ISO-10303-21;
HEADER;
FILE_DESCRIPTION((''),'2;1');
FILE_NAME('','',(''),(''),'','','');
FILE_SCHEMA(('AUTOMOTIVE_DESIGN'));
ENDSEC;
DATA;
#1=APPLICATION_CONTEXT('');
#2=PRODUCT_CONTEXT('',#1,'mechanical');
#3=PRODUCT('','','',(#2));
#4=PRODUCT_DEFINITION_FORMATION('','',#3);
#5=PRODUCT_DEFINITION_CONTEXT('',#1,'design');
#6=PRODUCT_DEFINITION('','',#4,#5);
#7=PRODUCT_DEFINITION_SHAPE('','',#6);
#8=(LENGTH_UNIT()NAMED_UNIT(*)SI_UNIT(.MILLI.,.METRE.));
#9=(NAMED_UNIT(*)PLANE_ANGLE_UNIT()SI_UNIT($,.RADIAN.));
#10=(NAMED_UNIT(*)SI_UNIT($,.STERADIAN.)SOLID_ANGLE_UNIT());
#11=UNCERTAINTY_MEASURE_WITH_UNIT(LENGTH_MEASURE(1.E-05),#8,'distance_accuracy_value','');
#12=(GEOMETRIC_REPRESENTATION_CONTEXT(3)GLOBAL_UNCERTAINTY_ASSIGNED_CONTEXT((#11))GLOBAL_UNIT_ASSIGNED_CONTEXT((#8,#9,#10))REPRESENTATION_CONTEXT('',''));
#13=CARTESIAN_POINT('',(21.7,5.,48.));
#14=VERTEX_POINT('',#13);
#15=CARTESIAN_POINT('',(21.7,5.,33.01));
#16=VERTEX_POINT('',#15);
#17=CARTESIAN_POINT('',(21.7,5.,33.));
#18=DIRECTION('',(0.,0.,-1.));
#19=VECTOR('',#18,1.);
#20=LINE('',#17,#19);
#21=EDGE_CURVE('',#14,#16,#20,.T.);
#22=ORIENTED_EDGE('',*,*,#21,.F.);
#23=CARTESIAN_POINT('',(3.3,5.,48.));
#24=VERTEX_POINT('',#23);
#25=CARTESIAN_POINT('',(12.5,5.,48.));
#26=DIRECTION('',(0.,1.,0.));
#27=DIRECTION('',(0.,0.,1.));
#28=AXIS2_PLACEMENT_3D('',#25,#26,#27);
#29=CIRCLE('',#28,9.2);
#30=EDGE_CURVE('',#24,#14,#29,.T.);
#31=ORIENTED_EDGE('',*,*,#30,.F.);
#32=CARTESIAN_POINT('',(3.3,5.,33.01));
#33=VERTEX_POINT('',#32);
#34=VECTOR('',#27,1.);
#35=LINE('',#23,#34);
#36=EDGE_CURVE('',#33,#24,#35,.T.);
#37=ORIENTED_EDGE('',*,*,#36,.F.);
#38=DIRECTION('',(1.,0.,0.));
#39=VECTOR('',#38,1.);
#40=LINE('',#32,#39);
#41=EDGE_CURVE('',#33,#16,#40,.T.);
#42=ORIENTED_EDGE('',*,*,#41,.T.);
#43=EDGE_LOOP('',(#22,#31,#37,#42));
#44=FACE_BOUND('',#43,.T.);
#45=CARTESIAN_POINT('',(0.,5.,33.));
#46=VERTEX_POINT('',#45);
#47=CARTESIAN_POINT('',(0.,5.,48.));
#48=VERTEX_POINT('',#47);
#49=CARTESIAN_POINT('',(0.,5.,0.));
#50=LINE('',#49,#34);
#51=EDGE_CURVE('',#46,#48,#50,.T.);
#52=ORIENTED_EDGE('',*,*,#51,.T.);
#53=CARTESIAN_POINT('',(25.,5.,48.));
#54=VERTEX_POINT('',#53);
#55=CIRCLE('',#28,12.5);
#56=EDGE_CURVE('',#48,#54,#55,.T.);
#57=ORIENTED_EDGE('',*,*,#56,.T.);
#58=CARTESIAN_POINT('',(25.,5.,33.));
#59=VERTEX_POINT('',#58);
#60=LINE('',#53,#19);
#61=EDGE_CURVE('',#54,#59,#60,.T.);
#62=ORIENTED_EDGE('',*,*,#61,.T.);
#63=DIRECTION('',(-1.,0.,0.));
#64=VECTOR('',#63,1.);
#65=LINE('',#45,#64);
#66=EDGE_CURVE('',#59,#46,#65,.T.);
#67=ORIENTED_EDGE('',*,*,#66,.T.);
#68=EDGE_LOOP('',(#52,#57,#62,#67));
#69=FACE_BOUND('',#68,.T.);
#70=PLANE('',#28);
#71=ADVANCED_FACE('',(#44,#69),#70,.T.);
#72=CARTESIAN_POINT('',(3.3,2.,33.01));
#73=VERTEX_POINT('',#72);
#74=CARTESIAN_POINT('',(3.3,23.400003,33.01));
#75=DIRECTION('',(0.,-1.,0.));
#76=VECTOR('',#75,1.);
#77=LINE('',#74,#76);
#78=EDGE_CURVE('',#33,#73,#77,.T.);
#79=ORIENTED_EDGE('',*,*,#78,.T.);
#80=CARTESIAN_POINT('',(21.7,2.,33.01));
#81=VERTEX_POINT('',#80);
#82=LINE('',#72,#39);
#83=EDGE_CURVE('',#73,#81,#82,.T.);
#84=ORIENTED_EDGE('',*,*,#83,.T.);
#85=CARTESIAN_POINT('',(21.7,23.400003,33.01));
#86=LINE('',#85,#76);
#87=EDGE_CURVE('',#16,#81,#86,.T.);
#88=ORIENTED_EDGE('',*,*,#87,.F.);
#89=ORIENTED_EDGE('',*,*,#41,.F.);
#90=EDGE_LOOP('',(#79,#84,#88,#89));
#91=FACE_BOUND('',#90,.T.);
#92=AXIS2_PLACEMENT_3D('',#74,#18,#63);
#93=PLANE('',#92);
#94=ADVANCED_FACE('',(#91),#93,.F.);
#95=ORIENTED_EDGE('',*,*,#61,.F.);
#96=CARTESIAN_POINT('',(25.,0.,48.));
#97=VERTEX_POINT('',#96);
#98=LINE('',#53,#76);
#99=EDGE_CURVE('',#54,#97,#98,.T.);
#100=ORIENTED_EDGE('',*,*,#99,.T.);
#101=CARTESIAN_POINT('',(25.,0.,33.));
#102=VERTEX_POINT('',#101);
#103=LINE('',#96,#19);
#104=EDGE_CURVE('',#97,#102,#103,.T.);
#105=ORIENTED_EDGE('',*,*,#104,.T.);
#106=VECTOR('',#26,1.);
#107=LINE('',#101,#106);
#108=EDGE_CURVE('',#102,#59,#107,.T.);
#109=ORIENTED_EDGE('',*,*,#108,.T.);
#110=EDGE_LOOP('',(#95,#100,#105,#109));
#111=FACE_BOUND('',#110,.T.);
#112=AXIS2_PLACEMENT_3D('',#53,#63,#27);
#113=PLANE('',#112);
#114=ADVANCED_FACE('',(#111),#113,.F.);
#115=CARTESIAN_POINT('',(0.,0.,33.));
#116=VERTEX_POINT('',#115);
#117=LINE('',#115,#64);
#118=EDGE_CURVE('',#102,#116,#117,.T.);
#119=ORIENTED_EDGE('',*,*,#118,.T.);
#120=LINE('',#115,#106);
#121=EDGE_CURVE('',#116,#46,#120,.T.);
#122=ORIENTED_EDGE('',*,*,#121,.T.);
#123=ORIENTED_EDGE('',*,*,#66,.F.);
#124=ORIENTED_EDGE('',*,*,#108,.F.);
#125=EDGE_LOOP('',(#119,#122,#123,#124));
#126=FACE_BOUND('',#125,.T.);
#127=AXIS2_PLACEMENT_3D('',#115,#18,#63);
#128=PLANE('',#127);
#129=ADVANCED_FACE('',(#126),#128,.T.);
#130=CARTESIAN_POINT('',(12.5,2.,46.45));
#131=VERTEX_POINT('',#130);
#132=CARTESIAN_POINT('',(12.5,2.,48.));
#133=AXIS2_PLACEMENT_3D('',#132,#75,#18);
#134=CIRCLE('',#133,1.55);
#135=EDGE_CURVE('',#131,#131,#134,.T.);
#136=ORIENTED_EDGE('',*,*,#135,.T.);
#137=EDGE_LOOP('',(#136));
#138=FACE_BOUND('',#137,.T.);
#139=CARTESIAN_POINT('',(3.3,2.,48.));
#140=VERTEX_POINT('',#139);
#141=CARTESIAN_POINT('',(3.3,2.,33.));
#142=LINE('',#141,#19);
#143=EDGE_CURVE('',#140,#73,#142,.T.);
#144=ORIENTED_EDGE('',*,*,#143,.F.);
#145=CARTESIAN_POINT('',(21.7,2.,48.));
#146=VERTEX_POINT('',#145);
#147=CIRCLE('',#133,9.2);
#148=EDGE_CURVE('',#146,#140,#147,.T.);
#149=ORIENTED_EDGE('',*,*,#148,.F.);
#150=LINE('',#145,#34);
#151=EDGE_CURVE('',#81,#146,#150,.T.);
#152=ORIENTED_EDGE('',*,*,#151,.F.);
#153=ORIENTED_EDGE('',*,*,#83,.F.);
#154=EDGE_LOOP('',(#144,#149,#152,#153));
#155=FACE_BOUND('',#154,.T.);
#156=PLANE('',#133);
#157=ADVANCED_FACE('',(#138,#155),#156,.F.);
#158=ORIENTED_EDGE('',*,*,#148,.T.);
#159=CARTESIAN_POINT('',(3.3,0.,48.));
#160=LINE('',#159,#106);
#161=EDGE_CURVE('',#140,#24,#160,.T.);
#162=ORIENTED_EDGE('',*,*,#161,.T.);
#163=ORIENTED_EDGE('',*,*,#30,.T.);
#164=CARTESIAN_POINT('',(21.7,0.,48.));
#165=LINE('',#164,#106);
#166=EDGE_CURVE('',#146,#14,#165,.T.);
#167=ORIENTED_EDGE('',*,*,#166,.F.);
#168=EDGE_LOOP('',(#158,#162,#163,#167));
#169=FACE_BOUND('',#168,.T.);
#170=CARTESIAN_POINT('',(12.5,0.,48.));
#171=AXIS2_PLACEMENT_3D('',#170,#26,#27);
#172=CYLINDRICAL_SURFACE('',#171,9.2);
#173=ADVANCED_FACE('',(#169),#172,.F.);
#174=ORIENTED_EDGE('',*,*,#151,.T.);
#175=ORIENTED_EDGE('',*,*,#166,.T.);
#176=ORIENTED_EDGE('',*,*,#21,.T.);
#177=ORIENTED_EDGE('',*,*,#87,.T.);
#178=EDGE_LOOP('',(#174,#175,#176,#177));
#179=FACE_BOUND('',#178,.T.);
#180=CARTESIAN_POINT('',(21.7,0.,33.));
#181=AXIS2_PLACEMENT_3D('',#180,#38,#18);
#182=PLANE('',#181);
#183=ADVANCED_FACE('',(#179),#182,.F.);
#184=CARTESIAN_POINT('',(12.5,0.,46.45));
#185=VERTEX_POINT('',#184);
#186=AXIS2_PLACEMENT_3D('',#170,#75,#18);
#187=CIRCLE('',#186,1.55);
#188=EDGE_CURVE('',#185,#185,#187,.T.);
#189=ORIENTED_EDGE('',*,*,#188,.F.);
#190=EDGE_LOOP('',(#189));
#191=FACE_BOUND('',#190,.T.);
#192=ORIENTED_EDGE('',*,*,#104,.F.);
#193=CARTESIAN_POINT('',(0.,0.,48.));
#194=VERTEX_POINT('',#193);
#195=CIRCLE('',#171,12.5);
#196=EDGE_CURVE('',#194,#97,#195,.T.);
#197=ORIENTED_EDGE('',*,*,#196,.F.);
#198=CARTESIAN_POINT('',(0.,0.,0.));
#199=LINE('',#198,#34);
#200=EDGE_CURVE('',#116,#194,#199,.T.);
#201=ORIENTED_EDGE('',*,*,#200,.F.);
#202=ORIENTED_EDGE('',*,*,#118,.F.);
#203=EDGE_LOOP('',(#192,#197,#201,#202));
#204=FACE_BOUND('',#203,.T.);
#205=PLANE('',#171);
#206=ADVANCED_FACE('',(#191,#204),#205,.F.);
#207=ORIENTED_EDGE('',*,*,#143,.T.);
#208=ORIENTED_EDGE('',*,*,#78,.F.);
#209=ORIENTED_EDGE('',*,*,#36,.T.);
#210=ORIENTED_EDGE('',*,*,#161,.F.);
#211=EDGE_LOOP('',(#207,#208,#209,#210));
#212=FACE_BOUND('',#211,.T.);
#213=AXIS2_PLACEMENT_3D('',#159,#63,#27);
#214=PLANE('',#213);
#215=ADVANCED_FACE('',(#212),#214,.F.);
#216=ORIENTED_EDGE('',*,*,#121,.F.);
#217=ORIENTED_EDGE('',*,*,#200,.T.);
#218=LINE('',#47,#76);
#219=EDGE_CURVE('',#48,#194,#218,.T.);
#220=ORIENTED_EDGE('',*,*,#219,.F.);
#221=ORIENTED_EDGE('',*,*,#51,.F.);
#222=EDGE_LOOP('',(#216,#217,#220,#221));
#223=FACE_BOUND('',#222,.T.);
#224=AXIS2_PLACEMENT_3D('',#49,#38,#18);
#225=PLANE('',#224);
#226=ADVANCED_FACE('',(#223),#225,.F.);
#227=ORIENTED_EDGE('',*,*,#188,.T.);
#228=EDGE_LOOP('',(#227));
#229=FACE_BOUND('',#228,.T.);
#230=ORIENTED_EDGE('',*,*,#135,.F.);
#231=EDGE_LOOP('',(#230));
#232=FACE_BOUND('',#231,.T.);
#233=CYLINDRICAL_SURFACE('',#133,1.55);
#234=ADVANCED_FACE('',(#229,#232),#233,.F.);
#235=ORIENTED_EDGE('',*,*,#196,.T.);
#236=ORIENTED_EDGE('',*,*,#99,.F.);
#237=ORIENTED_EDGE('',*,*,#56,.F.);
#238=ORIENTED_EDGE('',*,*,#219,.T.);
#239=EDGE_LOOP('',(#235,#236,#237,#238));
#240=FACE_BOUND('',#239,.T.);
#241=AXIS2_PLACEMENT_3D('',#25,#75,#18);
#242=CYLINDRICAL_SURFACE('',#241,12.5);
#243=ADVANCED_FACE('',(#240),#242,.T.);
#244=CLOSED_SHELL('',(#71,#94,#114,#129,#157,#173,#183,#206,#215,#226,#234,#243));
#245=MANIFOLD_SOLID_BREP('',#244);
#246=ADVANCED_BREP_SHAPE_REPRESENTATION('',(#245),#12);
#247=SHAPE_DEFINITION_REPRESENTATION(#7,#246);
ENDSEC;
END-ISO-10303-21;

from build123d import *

# Parameters (mm, degrees)
SKETCH_1_R           = 2.55
SKETCH_1_R_2         = 7.5
EXTRUDE_1_DEPTH      = 5
FILLET_2_R           = 5
CUT_EXTRUDE_1_DEPTH  = 109.559891304
EXTRUDE_2_DEPTH      = 5
SKETCH_3_R           = 1.55
CUT_EXTRUDE_2_DEPTH  = 109.559891304
FILLET_3_R           = 2
SKETCH_5_R           = 3
CUT_EXTRUDE_3_DEPTH  = 3
SKETCH_6_OUTSIDE_W   = 117.274
SKETCH_6_OUTSIDE_H   = 115.837
SKETCH_6_OUTSIDE_W_2 = 25
SKETCH_6_OUTSIDE_H_2 = 29.920384019
CUT_EXTRUDE_4_DEPTH  = 109.559891304
EXTRUDE_START        = -2
SKETCH_7_R           = 1.55
EXTRUDE_3_DEPTH      = 2
SKETCH_8_W           = 18.4
SKETCH_8_H           = 0.01
EXTRUDE_4_DEPTH      = 3


with BuildPart() as part:
    # ｽｹｯﾁ1 → ﾎﾞｽ - 押し出し1 (new body)
    with BuildSketch(Plane(origin=(0, 0, 0), x_dir=(1, 0, 0), z_dir=(0, 1, 0))):
        with BuildLine():
            Line((0, 0), (0, -48))
            ThreePointArc((0, -48), (12.5, -60.5), (25, -48))
            Line((25, -48), (25, -20))
            Line((25, -20), (90, -20))
            Line((90, -20), (90, 30))
            Line((90, 30), (0, 0))
        make_face()
        with Locations(Location((75.769750529, 14.715657976, 0), (0, 0, 270))):
            Circle(SKETCH_1_R, mode=Mode.SUBTRACT)
        with Locations(Location((75, -10, 0), (0, 0, 270))):
            Circle(SKETCH_1_R, mode=Mode.SUBTRACT)
        with Locations(Location((25, -10, 0), (0, 0, 270))):
            Circle(SKETCH_1_R, mode=Mode.SUBTRACT)
        with Locations(Location((12.5, -48, 0), (0, 0, 270))):
            Circle(SKETCH_1_R_2, mode=Mode.SUBTRACT)
    extrude(amount=EXTRUDE_1_DEPTH)

    # ﾌｨﾚｯﾄ2
    fillet_2_edges = [part.edges().sort_by_distance(p)[0] for p in [
        (90, 2.5, -30),
        (90, 2.5, 20),
    ]]
    fillet(fillet_2_edges, radius=FILLET_2_R)

    # ｽｹｯﾁ2 → ｶｯﾄ - 押し出し1 (cut, through all)
    with BuildSketch(Plane(origin=(0, 5, 0), x_dir=(1, 0, 0), z_dir=(0, 1, 0))):
        with BuildLine():
            Line((3.3, -48), (3.3, -33))
            Line((3.3, -33), (21.7, -33))
            Line((21.7, -33), (21.7, -48))
            ThreePointArc((21.7, -48), (12.5, -57.2), (3.3, -48))
        make_face()
    extrude(amount=-CUT_EXTRUDE_1_DEPTH, mode=Mode.SUBTRACT)

    # ｽｹｯﾁ4 → ﾎﾞｽ - 押し出し2 (add)
    with BuildSketch(Plane(origin=(0, 5, 0), x_dir=(1, 0, 0), z_dir=(0, 1, 0))):
        Polygon((0, 0), (0, 20), (60, 20), align=None)
    extrude(amount=-EXTRUDE_2_DEPTH)

    # ｽｹｯﾁ3 → ｶｯﾄ - 押し出し2 (cut, through all)
    with BuildSketch(Plane(origin=(0, 5, 0), x_dir=(1, 0, 0), z_dir=(0, 1, 0))):
        with Locations(Location((20.5, 5, 0), (0, 0, 270))):
            Circle(SKETCH_3_R)
        with Locations(Location((4.5, 5, 0), (0, 0, 90))):
            Circle(SKETCH_3_R)
    extrude(amount=-CUT_EXTRUDE_2_DEPTH, mode=Mode.SUBTRACT)

    # ﾌｨﾚｯﾄ3
    fillet_3_edges = [part.edges().sort_by_distance(p)[0] for p in [
        (60, 2.5, -20),
        (0, 2.5, -20),
    ]]
    fillet(fillet_3_edges, radius=FILLET_3_R)

    # ｽｹｯﾁ5 → ｶｯﾄ - 押し出し3 (cut)
    with BuildSketch(Plane.XZ.offset(-5)):
        with Locations(Location((4.5, -5, 0), (0, 0, 270))):
            Circle(SKETCH_5_R)
        with Locations(Location((20.5, -5, 0), (0, 0, 270))):
            Circle(SKETCH_5_R)
    extrude(amount=CUT_EXTRUDE_3_DEPTH, mode=Mode.SUBTRACT)

    # ｽｹｯﾁ6 outside → ｶｯﾄ - 押し出し4 (cut, through all)
    with BuildSketch(Plane(origin=(0, 5, 0), x_dir=(1, 0, 0), z_dir=(0, 1, 0))):
        with Locations((45, -16.2185)):
            Rectangle(SKETCH_6_OUTSIDE_W, SKETCH_6_OUTSIDE_H)
        with Locations((12.5, -47.96019201)):
            Rectangle(SKETCH_6_OUTSIDE_W_2, SKETCH_6_OUTSIDE_H_2, mode=Mode.SUBTRACT)
    extrude(amount=-CUT_EXTRUDE_4_DEPTH, mode=Mode.SUBTRACT)

    # ｽｹｯﾁ7 → ﾎﾞｽ - 押し出し3 (add)
    with BuildSketch(Plane.XZ.offset(EXTRUDE_START)):
        with BuildLine():
            Line((3.3, 33), (3.3, 48))
            ThreePointArc((3.3, 48), (12.5, 57.2), (21.7, 48))
            Line((21.7, 48), (21.7, 33))
            Line((21.7, 33), (3.3, 33))
        make_face()
        with Locations(Location((12.5, 48, 0), (0, 0, 270))):
            Circle(SKETCH_7_R, mode=Mode.SUBTRACT)
    extrude(amount=EXTRUDE_3_DEPTH)

    # ｽｹｯﾁ8 → ﾎﾞｽ - 押し出し4 (add)
    with BuildSketch(Plane(origin=(0, 2, 0), x_dir=(1, 0, 0), z_dir=(0, 1, 0))):
        with Locations((12.5, -33.005)):
            Rectangle(SKETCH_8_W, SKETCH_8_H)
    extrude(amount=EXTRUDE_4_DEPTH)


solid = part.part
